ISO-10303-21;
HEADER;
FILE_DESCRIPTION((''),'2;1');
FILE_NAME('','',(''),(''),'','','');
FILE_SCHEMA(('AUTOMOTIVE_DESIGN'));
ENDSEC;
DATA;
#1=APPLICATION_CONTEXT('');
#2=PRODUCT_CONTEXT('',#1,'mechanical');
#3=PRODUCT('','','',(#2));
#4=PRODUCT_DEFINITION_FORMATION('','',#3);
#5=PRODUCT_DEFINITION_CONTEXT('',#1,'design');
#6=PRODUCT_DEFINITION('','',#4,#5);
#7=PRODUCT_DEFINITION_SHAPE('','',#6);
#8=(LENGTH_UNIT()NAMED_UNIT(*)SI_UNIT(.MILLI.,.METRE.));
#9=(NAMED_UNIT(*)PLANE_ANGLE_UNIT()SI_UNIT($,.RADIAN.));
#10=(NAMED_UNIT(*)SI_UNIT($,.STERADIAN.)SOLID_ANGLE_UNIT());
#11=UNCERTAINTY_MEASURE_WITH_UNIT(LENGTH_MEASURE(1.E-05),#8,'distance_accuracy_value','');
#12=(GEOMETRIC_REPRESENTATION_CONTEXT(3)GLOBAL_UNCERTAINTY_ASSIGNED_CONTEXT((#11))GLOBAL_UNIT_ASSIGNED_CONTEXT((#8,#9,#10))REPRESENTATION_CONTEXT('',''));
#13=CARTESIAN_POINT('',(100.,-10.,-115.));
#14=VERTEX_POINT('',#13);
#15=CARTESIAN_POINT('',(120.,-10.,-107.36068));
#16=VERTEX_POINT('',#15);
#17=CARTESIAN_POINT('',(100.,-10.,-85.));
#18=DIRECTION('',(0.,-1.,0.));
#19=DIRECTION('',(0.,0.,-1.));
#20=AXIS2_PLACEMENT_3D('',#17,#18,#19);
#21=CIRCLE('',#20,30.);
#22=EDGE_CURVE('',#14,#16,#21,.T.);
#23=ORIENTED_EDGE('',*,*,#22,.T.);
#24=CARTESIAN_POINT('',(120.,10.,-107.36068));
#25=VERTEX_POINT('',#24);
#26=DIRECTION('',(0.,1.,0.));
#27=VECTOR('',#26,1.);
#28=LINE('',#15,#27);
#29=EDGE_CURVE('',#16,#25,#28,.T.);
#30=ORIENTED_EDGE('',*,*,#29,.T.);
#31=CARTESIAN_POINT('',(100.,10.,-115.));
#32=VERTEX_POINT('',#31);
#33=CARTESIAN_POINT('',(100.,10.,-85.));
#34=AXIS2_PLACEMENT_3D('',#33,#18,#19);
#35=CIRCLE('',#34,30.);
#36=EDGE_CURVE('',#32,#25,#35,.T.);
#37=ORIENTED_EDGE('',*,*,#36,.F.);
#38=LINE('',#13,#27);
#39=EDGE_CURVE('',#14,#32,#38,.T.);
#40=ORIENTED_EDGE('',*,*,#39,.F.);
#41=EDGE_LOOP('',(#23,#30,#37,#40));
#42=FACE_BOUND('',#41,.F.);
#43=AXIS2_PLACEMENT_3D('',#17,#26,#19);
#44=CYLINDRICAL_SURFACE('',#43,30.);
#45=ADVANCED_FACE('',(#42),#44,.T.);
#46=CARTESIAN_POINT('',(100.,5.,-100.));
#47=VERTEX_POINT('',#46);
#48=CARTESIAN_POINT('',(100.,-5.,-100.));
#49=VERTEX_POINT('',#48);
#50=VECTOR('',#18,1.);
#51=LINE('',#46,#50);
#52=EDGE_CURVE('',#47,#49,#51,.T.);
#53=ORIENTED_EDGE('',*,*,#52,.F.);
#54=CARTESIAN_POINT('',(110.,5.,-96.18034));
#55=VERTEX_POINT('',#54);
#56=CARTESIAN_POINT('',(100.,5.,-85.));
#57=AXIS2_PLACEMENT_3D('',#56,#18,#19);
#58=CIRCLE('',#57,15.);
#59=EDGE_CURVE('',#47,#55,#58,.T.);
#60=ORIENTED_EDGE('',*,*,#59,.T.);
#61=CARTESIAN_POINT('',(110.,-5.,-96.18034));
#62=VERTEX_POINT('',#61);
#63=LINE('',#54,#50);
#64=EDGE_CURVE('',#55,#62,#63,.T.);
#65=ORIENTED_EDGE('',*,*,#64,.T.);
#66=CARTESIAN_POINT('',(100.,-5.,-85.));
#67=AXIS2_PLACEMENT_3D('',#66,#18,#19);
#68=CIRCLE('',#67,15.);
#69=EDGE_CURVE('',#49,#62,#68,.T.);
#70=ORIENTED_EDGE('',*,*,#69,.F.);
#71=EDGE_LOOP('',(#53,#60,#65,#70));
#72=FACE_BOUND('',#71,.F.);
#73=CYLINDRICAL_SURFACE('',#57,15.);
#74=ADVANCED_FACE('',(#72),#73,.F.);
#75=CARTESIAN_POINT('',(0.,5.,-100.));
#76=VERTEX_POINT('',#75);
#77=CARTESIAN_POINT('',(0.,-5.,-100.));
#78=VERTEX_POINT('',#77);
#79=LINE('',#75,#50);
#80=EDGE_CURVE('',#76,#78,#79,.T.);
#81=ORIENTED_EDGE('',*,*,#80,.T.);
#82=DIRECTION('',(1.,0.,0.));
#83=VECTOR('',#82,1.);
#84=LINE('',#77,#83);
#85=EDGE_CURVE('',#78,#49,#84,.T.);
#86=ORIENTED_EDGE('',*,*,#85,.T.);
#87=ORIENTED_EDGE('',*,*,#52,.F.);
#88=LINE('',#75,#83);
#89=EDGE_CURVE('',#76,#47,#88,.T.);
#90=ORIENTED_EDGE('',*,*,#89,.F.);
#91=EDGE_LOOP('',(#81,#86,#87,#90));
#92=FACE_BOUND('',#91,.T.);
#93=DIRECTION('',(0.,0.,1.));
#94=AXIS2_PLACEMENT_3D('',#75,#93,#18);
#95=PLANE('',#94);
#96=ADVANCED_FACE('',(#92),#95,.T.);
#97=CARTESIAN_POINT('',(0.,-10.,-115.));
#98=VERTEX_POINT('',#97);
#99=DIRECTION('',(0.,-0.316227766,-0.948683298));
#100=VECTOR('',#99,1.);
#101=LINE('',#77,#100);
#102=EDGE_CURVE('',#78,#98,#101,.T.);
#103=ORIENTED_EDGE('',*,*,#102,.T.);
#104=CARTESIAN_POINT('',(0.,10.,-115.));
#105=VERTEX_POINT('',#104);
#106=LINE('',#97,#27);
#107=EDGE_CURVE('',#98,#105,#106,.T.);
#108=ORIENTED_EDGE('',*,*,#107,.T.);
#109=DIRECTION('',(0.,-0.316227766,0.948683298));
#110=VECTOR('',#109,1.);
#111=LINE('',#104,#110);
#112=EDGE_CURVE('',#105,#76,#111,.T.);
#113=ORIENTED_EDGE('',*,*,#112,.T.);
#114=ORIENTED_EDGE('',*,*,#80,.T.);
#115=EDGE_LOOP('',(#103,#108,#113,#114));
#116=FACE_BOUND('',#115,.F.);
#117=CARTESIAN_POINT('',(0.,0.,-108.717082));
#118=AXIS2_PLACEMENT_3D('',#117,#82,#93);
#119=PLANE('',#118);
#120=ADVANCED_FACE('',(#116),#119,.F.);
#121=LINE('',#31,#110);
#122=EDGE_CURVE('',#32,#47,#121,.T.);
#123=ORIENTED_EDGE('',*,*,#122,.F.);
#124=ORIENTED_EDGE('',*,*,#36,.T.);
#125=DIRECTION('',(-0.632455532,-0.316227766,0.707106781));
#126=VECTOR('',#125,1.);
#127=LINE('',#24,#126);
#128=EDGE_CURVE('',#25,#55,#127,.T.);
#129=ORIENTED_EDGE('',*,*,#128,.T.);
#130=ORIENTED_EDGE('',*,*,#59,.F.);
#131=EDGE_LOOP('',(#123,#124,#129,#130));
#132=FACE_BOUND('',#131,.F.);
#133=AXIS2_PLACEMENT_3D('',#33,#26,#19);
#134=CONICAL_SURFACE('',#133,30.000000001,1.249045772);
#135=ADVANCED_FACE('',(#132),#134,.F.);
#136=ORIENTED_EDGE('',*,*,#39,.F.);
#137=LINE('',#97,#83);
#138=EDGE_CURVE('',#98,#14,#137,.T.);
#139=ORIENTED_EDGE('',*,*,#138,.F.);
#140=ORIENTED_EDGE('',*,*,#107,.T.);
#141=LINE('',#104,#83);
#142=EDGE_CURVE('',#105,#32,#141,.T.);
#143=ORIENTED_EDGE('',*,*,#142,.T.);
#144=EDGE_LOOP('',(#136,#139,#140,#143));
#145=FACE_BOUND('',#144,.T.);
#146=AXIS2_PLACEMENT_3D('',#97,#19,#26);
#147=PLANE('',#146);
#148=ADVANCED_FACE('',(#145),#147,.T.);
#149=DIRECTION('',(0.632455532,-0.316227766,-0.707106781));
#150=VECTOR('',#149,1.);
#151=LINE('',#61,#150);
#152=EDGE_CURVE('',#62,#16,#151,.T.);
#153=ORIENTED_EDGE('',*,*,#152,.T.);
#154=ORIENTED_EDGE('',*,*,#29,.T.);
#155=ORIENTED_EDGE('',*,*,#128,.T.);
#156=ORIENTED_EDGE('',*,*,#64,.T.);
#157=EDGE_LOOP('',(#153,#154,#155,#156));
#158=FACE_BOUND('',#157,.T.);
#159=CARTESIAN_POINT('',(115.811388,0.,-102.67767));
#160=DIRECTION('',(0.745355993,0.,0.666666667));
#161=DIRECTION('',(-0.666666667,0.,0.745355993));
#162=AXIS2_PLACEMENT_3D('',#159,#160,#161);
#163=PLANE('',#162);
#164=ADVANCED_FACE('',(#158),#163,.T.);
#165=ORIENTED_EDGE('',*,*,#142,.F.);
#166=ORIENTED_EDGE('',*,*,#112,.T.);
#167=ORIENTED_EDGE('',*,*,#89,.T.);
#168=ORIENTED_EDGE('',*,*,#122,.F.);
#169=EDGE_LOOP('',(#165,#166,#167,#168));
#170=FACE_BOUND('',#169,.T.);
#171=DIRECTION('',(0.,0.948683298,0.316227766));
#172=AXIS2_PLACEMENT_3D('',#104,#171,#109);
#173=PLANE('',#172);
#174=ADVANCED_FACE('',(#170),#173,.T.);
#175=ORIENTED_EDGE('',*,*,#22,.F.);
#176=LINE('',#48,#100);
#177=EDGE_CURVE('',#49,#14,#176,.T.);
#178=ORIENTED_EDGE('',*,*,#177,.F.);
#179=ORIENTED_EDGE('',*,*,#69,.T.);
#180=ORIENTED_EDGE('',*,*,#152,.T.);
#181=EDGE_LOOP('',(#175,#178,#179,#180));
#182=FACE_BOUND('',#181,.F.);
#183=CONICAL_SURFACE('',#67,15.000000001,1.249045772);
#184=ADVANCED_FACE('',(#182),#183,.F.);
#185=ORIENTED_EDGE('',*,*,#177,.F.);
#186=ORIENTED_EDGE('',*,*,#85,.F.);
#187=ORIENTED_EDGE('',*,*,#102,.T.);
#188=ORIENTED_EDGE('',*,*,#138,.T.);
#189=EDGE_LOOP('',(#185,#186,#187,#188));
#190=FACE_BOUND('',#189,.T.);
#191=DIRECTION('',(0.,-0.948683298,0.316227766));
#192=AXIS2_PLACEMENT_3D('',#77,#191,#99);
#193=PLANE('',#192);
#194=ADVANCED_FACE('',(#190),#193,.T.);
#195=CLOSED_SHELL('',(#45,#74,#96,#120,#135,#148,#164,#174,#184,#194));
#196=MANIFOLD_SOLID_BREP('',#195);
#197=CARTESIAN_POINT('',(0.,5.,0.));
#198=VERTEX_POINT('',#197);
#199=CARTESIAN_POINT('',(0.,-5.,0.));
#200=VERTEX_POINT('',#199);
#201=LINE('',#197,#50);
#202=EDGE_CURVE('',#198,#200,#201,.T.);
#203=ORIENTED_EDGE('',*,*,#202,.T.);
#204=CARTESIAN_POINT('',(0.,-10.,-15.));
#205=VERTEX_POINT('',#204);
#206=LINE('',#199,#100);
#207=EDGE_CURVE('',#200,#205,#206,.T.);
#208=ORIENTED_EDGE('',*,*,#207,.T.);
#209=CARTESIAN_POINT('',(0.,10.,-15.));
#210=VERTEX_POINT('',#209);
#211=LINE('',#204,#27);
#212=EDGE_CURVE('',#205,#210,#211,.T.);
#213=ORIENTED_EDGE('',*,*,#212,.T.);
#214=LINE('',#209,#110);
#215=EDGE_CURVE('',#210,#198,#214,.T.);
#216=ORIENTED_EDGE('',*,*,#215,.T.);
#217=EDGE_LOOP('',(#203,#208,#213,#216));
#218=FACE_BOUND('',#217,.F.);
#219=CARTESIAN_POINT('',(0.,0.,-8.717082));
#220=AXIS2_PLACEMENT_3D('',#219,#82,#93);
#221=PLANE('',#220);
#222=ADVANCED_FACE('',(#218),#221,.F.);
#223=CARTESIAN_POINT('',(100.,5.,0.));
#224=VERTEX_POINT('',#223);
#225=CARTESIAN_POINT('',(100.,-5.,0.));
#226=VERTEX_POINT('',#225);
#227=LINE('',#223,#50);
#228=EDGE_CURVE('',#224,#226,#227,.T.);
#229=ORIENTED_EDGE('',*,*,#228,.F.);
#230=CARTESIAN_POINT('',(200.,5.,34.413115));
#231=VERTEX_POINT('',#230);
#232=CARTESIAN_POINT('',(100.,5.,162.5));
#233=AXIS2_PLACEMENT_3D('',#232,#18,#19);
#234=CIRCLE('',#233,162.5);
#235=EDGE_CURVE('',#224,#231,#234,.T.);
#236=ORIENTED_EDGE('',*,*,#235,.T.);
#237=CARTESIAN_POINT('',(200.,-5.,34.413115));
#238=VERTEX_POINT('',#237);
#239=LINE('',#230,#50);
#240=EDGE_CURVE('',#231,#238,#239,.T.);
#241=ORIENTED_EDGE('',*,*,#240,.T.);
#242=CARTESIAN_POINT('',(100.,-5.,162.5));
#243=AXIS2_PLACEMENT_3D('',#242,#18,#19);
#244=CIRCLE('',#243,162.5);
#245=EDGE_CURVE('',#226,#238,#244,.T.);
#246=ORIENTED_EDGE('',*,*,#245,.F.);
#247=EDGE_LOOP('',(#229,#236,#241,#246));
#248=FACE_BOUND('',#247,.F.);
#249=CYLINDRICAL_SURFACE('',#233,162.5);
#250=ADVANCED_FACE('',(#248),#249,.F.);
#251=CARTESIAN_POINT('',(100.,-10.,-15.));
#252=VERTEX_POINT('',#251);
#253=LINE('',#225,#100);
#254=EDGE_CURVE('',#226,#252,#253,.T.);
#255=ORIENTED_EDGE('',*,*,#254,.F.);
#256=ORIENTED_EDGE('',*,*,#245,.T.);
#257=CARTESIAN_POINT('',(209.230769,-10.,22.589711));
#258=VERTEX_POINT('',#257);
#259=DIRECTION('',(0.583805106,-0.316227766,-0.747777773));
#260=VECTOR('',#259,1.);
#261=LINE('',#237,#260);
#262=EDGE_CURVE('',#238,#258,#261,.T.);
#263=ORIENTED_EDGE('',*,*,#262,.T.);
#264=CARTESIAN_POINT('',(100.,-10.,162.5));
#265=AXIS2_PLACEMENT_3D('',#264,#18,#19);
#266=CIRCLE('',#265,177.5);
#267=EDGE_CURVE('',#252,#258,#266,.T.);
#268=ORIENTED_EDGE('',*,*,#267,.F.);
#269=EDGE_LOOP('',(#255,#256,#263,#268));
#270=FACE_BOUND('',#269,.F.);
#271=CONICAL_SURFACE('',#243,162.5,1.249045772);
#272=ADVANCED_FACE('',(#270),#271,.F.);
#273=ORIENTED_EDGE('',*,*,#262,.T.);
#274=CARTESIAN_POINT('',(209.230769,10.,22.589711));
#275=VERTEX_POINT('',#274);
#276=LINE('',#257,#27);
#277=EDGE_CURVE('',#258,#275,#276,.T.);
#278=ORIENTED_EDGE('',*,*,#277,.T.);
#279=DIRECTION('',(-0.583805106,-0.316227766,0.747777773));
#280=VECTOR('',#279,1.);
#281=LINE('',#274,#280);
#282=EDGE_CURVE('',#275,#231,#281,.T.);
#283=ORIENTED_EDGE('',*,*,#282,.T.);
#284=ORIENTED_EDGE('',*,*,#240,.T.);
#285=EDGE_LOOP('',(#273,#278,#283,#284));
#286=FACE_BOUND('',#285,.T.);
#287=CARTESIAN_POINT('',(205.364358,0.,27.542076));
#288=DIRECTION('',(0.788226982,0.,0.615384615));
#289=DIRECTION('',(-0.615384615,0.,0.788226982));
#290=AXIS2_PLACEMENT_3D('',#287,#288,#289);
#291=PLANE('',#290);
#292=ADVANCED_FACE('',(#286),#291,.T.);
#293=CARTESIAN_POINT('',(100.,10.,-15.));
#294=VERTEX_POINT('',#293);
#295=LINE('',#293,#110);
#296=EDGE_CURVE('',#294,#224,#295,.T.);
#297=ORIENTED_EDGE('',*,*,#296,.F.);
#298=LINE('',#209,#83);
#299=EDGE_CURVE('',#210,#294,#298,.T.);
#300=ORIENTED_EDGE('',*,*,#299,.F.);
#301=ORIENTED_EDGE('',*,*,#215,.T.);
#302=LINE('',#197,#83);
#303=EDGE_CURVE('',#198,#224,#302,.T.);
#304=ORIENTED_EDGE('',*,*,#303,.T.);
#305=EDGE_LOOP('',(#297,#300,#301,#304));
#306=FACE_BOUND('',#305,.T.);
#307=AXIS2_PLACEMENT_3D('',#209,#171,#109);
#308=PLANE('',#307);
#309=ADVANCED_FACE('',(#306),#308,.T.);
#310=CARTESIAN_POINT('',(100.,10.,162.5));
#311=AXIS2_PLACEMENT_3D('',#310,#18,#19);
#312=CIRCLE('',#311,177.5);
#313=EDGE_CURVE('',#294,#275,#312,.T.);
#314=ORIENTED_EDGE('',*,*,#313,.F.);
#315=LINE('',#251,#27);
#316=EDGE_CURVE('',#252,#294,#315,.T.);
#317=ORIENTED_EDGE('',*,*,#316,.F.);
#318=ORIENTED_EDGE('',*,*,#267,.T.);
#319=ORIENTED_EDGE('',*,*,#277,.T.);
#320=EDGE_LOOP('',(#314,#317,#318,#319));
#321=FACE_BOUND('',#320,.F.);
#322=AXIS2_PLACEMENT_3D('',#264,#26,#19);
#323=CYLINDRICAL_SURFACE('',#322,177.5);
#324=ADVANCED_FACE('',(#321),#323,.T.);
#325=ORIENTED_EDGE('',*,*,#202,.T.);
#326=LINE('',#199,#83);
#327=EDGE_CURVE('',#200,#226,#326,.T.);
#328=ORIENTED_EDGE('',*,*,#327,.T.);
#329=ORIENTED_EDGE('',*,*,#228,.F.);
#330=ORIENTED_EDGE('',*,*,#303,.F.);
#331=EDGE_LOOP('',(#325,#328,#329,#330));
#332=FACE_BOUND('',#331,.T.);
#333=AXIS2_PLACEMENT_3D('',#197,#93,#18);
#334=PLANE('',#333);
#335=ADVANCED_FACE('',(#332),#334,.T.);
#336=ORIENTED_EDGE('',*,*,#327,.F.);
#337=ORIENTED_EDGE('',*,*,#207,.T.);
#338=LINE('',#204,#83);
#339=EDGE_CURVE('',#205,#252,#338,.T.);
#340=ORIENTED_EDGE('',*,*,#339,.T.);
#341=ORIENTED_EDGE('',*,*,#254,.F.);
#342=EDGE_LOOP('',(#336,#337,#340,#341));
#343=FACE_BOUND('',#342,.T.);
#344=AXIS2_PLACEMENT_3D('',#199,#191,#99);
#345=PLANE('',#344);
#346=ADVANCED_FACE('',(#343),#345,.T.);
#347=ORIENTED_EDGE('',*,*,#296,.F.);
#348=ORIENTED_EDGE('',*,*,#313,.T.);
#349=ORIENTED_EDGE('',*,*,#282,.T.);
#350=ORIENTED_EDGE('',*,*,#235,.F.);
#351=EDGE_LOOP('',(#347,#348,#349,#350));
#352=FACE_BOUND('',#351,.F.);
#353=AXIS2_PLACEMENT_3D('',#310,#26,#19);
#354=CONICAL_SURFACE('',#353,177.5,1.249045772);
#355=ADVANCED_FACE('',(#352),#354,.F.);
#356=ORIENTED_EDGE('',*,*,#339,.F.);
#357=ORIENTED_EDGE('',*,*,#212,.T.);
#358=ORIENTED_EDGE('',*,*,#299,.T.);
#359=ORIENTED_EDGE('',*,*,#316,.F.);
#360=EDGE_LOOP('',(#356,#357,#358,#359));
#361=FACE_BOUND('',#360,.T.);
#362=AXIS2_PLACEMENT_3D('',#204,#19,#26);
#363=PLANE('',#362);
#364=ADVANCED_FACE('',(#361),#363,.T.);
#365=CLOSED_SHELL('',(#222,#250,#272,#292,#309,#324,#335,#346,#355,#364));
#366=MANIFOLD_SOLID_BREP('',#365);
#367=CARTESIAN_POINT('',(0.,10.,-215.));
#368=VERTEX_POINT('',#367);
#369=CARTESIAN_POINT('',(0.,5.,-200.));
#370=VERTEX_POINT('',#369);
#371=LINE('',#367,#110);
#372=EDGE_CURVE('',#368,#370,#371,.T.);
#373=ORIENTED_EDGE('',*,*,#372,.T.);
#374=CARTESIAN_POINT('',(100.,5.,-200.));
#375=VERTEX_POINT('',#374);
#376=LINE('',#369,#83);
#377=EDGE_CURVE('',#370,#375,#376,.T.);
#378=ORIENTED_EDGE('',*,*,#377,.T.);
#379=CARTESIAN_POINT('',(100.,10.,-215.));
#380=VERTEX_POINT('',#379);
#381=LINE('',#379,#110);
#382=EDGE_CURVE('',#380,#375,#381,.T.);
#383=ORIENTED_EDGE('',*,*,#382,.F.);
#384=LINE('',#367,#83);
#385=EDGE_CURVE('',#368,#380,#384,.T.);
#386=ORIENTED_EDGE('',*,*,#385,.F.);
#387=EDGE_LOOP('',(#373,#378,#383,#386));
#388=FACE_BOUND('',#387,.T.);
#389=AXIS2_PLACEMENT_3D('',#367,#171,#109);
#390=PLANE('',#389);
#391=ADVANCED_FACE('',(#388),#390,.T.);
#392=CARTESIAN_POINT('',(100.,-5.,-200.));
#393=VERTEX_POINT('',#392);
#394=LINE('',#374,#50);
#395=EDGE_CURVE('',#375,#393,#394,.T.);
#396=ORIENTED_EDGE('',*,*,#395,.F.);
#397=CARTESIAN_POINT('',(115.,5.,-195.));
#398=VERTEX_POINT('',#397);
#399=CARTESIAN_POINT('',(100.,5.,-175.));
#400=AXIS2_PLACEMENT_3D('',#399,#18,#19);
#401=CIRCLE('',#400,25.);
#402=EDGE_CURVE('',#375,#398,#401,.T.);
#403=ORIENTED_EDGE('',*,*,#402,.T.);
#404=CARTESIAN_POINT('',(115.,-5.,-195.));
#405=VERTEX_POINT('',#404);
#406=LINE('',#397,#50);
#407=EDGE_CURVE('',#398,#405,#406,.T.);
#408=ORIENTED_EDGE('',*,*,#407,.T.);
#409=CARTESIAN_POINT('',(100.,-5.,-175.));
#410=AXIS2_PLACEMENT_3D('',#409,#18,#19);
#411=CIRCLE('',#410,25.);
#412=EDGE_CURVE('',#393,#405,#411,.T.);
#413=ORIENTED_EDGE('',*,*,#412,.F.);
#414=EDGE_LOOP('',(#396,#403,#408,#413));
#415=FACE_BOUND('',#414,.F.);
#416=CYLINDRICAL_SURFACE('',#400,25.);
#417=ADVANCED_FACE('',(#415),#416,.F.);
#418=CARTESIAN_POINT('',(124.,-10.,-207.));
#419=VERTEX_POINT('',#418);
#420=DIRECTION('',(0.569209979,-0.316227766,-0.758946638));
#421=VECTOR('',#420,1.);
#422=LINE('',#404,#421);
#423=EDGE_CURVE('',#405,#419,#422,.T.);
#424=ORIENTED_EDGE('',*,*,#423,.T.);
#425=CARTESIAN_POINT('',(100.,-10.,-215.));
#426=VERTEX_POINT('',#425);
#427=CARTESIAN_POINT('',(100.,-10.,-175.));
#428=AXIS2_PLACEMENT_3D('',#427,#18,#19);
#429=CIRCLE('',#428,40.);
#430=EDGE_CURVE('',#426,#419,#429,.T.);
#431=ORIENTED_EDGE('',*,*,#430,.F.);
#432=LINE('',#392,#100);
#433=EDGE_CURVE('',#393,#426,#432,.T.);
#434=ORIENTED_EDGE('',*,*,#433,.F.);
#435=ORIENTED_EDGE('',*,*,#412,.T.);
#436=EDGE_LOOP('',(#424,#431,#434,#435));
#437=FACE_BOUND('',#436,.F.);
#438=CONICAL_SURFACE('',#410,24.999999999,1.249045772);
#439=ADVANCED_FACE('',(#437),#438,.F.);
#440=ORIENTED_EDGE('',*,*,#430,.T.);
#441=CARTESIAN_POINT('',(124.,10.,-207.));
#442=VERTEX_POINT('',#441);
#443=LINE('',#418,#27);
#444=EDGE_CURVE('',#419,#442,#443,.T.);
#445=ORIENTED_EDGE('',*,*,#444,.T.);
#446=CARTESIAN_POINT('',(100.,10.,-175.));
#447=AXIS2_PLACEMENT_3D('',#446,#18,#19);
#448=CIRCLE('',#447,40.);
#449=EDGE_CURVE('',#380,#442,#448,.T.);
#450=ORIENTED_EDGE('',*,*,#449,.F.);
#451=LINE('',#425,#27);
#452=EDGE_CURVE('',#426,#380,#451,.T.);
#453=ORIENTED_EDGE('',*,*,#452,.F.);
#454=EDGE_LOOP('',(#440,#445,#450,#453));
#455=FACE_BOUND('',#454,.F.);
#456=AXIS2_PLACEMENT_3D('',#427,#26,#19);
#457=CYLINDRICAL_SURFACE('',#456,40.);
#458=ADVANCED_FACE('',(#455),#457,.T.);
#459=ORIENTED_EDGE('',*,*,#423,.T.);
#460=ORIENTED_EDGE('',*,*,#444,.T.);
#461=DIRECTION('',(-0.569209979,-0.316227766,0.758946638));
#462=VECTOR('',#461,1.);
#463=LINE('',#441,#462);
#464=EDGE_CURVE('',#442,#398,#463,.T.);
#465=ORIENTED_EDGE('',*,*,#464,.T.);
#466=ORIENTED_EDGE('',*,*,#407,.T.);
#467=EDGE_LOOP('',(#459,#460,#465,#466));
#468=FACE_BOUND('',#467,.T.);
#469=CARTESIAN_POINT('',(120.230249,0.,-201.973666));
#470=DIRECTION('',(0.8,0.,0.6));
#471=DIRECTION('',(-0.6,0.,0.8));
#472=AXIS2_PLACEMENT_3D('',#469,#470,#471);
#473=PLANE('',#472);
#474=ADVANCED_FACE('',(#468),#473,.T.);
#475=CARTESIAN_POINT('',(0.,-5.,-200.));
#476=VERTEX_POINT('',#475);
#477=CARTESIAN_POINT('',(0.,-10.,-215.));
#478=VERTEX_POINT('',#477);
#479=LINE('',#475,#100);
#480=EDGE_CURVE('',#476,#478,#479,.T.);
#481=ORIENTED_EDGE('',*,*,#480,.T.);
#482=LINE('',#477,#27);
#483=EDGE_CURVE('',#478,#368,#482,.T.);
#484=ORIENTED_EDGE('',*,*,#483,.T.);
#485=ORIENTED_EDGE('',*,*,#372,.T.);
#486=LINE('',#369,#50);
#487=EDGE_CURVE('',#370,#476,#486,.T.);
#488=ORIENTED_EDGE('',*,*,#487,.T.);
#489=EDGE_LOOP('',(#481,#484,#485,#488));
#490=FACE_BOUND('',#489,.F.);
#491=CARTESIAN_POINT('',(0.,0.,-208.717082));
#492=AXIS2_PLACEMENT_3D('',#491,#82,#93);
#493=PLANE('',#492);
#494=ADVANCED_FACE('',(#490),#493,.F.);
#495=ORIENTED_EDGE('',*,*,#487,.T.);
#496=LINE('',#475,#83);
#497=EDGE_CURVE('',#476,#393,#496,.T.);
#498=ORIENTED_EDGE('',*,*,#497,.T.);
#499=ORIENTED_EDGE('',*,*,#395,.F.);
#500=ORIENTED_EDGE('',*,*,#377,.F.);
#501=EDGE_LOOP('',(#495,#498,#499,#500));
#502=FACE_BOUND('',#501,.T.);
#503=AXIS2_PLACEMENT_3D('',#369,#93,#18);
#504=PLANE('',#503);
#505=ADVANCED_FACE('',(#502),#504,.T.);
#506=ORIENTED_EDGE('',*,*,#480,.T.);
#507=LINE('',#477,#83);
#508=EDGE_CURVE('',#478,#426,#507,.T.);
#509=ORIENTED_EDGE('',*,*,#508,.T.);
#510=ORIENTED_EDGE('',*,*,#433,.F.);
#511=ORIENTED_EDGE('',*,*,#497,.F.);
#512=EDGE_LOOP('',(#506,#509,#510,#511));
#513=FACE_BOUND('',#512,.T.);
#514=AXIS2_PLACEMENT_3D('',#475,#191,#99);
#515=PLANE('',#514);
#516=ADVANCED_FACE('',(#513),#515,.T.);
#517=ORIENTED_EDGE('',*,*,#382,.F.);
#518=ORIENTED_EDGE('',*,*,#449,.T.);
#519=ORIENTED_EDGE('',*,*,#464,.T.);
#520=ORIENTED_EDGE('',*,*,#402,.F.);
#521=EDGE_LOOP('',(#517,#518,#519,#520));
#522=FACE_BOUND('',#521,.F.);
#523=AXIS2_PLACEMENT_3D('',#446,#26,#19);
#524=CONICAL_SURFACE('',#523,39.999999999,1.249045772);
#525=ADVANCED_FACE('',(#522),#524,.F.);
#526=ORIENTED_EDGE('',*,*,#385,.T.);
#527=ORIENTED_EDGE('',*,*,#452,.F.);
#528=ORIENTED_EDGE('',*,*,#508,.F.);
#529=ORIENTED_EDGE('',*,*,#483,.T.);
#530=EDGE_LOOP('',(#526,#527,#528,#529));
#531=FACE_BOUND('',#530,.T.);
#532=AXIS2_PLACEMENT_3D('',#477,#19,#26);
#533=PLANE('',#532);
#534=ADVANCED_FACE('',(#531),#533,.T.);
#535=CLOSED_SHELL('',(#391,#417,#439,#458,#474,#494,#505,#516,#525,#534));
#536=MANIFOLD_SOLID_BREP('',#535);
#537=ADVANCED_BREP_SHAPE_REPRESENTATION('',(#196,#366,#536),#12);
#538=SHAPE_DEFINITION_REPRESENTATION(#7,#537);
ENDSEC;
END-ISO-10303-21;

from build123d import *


with BuildPart() as f2:
    # F2: sweep along a path in F0
    with BuildLine(Plane.XZ) as f2_path:
        Line((0, -200), (100, -200))
        ThreePointArc((100, -200), (107.9056941504, -198.7170824513), (115, -195))
    # F1 (on Right) → F2 (sweep)
    with BuildSketch(Plane.YZ):
        Polygon((5, -200), (0, -200), (-5, -200), (-10, -215), (10, -215), align=None)
    sweep(path=f2_path.line)


with BuildPart() as f3:
    # F3: sweep along a path in F0
    with BuildLine(Plane.XZ) as f3_path:
        Line((0, -100), (100, -100))
        ThreePointArc((100, -100), (105.3523313466, -99.0125853844), (110, -96.1803398875))
    # F1 (on Right) → F3 (sweep)
    with BuildSketch(Plane.YZ):
        Polygon((5, -100), (0, -100), (0, -115), (10, -115), align=None)
        Polygon((0, -115), (0, -100), (-5, -100), (-10, -115), align=None)
    sweep(path=f3_path.line)


with BuildPart() as f4:
    # F4: sweep along a path in F0
    with BuildLine(Plane.XZ) as f4_path:
        Line((0, 0), (100, 0))
        ThreePointArc((100, 0), (152.8778368347, 8.8439413115), (200, 34.4131154255))
    # F1 (on Right) → F4 (sweep)
    with BuildSketch(Plane.YZ):
        Polygon((0, -15), (0, 0), (-5, 0), (-10, -15), align=None)
        Polygon((5, 0), (0, 0), (0, -15), (10, -15), align=None)
    sweep(path=f4_path.line)


solid = Compound([f2.part, f3.part, f4.part])
